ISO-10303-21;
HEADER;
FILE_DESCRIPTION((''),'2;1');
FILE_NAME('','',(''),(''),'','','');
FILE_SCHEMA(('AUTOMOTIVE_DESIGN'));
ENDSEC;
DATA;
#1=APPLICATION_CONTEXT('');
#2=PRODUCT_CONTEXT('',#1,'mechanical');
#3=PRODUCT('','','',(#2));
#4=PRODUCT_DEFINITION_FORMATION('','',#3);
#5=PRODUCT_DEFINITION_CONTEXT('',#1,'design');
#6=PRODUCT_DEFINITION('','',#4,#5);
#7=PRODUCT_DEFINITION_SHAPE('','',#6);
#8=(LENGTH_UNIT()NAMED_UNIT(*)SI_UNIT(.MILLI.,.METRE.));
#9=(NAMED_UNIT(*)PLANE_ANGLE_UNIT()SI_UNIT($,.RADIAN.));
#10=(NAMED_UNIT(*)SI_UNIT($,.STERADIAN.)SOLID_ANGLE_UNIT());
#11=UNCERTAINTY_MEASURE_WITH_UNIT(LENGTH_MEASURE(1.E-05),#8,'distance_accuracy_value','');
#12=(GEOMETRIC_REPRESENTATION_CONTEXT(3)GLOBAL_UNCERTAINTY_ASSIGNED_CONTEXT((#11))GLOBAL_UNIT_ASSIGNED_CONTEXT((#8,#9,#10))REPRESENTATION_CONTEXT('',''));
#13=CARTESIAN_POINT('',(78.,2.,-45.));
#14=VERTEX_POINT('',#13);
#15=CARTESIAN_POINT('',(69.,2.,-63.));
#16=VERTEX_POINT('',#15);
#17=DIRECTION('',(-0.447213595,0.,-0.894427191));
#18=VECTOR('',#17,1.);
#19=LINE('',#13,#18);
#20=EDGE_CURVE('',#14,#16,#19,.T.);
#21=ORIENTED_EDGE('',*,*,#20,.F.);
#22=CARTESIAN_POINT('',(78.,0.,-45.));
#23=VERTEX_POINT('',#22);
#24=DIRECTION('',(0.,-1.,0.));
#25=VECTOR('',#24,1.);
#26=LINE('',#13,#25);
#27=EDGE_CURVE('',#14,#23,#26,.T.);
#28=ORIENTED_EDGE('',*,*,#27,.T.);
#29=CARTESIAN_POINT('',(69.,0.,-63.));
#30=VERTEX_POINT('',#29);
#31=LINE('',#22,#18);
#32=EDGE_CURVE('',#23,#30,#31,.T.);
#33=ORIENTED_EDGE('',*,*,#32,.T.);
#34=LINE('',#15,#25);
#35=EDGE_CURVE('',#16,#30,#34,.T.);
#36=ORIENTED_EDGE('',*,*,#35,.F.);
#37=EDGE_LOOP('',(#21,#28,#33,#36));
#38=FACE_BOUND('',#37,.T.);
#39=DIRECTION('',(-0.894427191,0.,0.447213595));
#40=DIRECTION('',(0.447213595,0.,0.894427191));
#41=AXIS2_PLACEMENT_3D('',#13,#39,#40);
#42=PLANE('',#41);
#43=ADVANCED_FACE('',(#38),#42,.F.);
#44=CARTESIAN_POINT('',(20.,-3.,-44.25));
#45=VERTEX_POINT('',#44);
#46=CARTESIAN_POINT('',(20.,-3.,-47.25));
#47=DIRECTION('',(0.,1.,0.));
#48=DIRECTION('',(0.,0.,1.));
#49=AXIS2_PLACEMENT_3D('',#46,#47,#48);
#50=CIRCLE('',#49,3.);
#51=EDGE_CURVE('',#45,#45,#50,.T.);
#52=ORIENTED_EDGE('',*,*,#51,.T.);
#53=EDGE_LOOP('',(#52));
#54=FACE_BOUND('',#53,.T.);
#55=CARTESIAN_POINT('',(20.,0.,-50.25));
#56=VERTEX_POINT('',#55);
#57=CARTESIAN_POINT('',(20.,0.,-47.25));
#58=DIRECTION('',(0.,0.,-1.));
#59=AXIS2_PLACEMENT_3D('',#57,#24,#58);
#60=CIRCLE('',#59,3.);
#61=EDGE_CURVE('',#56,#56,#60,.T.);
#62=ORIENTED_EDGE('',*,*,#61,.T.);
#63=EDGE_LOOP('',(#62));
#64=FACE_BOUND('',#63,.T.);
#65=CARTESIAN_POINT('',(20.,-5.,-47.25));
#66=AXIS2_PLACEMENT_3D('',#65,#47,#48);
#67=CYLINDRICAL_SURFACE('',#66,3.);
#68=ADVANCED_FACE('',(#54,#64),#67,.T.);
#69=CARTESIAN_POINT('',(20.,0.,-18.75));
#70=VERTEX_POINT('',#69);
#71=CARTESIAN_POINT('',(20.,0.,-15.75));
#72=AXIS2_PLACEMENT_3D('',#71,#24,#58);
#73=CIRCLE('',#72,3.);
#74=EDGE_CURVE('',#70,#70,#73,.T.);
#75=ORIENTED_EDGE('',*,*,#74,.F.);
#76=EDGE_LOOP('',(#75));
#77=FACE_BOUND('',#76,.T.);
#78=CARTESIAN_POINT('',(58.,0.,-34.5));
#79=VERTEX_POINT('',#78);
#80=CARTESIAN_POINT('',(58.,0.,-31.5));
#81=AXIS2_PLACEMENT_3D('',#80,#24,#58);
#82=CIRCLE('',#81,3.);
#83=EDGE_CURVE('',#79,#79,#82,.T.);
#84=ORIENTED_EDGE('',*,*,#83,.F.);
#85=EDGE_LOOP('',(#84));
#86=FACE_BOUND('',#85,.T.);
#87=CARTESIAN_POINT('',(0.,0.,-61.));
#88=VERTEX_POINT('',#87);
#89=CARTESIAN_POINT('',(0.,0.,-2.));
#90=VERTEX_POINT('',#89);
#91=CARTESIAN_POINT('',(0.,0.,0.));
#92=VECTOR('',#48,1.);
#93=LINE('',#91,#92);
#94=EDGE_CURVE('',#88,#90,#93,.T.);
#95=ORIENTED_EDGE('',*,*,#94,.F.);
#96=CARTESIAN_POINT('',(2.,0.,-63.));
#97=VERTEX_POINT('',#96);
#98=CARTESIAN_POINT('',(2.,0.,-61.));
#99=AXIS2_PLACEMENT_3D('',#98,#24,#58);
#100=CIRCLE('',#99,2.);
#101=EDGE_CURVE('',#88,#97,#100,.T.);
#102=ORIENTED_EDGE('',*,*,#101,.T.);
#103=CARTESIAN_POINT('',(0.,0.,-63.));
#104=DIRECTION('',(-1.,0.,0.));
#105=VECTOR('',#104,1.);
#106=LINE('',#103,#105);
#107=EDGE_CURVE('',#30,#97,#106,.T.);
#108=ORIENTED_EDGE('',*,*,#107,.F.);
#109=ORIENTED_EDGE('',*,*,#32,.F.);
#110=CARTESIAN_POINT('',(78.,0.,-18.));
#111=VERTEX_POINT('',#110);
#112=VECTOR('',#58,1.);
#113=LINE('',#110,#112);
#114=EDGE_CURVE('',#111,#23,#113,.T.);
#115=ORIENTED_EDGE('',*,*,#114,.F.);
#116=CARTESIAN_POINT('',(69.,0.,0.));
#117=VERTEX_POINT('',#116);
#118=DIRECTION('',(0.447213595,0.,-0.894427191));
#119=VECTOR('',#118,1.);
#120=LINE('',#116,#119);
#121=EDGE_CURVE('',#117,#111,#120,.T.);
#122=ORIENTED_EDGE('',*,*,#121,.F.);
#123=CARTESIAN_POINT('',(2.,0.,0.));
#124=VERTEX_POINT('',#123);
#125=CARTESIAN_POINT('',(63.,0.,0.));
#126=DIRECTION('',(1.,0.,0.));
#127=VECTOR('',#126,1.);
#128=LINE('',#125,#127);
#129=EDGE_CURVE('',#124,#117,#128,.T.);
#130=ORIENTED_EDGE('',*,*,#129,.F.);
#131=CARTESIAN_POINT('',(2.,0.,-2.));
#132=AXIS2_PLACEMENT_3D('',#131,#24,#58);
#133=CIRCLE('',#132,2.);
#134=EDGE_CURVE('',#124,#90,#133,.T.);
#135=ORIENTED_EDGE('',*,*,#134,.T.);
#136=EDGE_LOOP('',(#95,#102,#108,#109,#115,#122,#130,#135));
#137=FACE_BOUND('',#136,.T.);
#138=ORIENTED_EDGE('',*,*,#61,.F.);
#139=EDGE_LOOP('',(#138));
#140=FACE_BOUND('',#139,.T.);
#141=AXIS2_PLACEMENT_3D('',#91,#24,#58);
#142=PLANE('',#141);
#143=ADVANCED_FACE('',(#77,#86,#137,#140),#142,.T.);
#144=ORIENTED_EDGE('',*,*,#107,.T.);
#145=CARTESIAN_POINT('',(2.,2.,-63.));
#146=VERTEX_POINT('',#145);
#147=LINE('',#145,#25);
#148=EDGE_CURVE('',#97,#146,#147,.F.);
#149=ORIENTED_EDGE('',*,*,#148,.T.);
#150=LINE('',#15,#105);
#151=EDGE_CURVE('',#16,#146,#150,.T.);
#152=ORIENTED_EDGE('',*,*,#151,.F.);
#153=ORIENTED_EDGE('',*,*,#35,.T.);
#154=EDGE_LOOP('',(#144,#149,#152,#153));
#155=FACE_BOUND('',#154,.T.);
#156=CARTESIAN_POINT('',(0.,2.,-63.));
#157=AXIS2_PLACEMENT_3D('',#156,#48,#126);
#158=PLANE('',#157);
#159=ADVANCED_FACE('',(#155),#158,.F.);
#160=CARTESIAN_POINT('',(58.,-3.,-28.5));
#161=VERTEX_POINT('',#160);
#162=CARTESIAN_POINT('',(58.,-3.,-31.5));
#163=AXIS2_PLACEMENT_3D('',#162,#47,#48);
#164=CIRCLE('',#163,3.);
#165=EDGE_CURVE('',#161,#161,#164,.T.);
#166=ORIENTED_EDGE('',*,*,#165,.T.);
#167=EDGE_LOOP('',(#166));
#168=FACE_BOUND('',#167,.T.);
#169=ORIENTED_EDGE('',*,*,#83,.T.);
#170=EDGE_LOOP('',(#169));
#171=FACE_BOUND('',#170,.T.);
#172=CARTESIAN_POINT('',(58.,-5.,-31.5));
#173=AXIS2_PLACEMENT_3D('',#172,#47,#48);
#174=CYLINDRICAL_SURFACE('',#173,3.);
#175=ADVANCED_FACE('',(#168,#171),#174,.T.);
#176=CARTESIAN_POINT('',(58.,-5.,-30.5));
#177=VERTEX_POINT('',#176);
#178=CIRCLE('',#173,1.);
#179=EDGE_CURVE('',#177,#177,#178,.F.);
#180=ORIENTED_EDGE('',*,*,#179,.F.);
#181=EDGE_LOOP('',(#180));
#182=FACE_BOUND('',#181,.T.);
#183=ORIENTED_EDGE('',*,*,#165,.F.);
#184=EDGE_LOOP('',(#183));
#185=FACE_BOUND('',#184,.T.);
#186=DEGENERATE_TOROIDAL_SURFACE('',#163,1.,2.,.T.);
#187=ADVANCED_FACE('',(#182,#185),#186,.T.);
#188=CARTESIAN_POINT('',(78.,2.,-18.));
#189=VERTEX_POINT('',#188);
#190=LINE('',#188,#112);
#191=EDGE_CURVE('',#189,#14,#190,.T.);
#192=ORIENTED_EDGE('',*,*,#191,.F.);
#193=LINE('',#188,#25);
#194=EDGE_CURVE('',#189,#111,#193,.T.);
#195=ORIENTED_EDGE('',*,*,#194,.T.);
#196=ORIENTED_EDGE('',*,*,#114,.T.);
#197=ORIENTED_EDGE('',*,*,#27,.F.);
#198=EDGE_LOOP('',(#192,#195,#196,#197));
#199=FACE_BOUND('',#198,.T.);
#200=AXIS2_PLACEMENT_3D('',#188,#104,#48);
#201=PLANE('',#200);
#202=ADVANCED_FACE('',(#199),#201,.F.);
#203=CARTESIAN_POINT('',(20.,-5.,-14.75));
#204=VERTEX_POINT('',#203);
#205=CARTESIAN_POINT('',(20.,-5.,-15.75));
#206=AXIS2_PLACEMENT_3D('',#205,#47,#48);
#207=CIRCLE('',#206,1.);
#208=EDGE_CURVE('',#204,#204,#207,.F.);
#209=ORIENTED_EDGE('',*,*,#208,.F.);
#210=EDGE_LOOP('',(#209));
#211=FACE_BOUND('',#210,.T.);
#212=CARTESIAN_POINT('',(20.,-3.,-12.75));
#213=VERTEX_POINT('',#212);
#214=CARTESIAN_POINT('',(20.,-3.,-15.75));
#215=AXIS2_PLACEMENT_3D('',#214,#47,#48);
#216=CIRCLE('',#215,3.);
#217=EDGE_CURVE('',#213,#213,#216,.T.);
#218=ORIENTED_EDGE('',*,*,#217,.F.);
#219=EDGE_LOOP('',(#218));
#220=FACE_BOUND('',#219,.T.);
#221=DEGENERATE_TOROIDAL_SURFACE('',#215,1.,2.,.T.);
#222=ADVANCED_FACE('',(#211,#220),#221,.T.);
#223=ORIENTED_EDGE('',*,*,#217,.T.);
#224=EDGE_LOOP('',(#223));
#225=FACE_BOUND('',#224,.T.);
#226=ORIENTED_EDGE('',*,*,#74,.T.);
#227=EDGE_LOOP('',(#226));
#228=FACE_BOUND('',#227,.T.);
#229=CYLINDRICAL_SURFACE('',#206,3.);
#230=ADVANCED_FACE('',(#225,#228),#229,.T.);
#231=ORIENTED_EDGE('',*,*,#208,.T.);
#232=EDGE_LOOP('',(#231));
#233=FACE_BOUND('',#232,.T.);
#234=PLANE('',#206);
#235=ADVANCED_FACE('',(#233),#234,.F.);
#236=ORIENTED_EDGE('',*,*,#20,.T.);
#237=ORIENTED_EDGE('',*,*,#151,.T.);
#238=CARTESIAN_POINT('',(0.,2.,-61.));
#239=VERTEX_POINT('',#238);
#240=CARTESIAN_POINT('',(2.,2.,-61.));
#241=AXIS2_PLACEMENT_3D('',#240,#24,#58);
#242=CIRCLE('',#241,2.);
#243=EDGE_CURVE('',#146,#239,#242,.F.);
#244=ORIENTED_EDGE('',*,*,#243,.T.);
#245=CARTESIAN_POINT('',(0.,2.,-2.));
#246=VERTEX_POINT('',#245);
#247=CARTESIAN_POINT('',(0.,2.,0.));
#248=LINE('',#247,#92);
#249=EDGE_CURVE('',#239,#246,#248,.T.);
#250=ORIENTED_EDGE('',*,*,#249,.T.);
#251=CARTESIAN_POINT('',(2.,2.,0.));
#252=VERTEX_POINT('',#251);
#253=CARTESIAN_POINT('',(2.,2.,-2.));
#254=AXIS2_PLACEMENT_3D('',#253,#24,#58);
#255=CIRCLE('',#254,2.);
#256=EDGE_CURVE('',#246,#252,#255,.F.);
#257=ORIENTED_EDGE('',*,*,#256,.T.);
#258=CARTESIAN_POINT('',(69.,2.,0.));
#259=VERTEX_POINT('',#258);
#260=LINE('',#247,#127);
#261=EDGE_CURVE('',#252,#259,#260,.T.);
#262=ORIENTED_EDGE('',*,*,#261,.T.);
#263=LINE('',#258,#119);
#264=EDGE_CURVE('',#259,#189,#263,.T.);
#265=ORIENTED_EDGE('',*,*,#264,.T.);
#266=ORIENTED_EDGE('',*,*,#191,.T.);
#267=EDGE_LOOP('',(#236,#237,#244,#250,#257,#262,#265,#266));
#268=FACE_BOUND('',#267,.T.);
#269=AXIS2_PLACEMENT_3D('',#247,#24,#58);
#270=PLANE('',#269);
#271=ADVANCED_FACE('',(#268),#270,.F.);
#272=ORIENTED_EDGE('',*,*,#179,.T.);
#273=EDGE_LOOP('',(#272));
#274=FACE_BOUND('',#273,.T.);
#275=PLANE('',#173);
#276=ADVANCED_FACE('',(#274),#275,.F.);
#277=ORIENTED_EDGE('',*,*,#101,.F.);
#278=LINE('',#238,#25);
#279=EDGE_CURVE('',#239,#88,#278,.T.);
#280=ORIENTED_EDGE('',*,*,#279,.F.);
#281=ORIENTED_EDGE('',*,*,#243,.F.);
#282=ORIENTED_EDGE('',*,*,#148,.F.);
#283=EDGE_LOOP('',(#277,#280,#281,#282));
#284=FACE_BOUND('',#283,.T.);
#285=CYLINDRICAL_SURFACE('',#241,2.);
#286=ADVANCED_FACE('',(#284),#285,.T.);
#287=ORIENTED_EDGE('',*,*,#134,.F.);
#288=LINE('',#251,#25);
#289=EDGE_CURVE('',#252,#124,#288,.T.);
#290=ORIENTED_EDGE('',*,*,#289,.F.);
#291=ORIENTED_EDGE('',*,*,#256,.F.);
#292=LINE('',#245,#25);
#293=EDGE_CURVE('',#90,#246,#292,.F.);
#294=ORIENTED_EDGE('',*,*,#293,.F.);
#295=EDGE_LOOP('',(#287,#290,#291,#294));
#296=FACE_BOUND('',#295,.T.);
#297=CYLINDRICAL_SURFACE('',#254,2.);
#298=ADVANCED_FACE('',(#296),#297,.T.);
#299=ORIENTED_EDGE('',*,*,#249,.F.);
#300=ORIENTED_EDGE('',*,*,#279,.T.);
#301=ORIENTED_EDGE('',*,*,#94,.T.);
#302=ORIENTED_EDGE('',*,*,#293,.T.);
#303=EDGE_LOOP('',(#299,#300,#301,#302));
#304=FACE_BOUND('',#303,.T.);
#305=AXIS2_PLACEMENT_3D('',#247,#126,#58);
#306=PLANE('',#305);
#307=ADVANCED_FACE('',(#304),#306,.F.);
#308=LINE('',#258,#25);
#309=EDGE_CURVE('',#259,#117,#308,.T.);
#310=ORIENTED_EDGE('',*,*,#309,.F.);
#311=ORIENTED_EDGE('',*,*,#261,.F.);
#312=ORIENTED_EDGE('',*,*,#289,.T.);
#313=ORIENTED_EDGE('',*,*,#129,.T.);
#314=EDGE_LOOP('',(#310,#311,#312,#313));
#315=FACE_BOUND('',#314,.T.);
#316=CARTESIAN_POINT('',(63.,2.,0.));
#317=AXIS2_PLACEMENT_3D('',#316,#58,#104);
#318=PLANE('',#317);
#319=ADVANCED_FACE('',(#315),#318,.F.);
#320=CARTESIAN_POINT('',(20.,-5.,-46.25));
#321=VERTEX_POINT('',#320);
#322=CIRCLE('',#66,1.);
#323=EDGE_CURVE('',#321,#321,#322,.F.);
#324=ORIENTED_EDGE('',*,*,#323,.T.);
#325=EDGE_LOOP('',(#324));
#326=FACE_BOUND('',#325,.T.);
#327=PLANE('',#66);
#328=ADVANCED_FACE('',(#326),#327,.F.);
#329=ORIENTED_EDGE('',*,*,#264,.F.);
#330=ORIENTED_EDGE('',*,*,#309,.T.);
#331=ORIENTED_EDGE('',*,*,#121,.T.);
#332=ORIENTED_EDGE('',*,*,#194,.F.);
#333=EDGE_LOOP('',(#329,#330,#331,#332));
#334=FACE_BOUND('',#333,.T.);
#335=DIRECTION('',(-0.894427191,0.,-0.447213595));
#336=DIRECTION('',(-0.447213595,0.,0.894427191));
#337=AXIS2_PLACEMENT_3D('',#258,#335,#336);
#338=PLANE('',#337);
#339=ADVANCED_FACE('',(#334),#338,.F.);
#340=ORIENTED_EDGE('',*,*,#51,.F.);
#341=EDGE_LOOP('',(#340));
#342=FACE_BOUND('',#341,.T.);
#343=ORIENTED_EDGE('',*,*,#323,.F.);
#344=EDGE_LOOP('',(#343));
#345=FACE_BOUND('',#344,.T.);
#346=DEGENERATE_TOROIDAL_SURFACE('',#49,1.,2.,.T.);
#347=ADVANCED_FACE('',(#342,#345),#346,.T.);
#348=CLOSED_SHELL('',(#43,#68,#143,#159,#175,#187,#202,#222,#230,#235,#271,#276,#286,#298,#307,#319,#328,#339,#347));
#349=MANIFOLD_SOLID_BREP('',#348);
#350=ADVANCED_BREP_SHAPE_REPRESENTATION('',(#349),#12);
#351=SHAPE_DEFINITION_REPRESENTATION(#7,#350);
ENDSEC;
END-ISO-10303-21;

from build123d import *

# Parameters (mm, degrees)
SALIENTE_EXTRUIR1_DEPTH = 2
REDONDEO1_R             = 2
CROQUIS4_R              = 3
SALIENTE_EXTRUIR2_DEPTH = 7
REDONDEO2_R             = 2


with BuildPart() as part:
    # Croquis1 → Saliente-Extruir1 (new body)
    with BuildSketch(Plane(origin=(0, 0, 0), x_dir=(1, 0, 0), z_dir=(0, 1, 0))):
        Polygon((63, 0), (69, 0), (78, 18), (78, 45), (69, 63), (63, 63), (0, 63), (0, 0), align=None)
    extrude(amount=SALIENTE_EXTRUIR1_DEPTH)

    # Redondeo1
    redondeo1_edges = [part.edges().sort_by_distance(p)[0] for p in [
        (0, 1, -63),
        (0, 1, 0),
    ]]
    fillet(redondeo1_edges, radius=REDONDEO1_R)

    # Croquis4 → Saliente-Extruir2 (add)
    with BuildSketch(Plane(origin=(0, 2, 0), x_dir=(1, 0, 0), z_dir=(0, 1, 0))):
        with Locations(Location((20, 47.25, 0), (0, 0, 270))):
            Circle(CROQUIS4_R)
        with Locations(Location((20, 15.75, 0), (0, 0, 270))):
            Circle(CROQUIS4_R)
        with Locations(Location((58, 31.5, 0), (0, 0, 270))):
            Circle(CROQUIS4_R)
    extrude(amount=-SALIENTE_EXTRUIR2_DEPTH)

    # Redondeo2
    redondeo2_edges = [part.edges().sort_by_distance(p)[0] for p in [
        (20, -5, -50.25),
        (20, -5, -18.75),
        (58, -5, -34.5),
    ]]
    fillet(redondeo2_edges, radius=REDONDEO2_R)


solid = part.part
